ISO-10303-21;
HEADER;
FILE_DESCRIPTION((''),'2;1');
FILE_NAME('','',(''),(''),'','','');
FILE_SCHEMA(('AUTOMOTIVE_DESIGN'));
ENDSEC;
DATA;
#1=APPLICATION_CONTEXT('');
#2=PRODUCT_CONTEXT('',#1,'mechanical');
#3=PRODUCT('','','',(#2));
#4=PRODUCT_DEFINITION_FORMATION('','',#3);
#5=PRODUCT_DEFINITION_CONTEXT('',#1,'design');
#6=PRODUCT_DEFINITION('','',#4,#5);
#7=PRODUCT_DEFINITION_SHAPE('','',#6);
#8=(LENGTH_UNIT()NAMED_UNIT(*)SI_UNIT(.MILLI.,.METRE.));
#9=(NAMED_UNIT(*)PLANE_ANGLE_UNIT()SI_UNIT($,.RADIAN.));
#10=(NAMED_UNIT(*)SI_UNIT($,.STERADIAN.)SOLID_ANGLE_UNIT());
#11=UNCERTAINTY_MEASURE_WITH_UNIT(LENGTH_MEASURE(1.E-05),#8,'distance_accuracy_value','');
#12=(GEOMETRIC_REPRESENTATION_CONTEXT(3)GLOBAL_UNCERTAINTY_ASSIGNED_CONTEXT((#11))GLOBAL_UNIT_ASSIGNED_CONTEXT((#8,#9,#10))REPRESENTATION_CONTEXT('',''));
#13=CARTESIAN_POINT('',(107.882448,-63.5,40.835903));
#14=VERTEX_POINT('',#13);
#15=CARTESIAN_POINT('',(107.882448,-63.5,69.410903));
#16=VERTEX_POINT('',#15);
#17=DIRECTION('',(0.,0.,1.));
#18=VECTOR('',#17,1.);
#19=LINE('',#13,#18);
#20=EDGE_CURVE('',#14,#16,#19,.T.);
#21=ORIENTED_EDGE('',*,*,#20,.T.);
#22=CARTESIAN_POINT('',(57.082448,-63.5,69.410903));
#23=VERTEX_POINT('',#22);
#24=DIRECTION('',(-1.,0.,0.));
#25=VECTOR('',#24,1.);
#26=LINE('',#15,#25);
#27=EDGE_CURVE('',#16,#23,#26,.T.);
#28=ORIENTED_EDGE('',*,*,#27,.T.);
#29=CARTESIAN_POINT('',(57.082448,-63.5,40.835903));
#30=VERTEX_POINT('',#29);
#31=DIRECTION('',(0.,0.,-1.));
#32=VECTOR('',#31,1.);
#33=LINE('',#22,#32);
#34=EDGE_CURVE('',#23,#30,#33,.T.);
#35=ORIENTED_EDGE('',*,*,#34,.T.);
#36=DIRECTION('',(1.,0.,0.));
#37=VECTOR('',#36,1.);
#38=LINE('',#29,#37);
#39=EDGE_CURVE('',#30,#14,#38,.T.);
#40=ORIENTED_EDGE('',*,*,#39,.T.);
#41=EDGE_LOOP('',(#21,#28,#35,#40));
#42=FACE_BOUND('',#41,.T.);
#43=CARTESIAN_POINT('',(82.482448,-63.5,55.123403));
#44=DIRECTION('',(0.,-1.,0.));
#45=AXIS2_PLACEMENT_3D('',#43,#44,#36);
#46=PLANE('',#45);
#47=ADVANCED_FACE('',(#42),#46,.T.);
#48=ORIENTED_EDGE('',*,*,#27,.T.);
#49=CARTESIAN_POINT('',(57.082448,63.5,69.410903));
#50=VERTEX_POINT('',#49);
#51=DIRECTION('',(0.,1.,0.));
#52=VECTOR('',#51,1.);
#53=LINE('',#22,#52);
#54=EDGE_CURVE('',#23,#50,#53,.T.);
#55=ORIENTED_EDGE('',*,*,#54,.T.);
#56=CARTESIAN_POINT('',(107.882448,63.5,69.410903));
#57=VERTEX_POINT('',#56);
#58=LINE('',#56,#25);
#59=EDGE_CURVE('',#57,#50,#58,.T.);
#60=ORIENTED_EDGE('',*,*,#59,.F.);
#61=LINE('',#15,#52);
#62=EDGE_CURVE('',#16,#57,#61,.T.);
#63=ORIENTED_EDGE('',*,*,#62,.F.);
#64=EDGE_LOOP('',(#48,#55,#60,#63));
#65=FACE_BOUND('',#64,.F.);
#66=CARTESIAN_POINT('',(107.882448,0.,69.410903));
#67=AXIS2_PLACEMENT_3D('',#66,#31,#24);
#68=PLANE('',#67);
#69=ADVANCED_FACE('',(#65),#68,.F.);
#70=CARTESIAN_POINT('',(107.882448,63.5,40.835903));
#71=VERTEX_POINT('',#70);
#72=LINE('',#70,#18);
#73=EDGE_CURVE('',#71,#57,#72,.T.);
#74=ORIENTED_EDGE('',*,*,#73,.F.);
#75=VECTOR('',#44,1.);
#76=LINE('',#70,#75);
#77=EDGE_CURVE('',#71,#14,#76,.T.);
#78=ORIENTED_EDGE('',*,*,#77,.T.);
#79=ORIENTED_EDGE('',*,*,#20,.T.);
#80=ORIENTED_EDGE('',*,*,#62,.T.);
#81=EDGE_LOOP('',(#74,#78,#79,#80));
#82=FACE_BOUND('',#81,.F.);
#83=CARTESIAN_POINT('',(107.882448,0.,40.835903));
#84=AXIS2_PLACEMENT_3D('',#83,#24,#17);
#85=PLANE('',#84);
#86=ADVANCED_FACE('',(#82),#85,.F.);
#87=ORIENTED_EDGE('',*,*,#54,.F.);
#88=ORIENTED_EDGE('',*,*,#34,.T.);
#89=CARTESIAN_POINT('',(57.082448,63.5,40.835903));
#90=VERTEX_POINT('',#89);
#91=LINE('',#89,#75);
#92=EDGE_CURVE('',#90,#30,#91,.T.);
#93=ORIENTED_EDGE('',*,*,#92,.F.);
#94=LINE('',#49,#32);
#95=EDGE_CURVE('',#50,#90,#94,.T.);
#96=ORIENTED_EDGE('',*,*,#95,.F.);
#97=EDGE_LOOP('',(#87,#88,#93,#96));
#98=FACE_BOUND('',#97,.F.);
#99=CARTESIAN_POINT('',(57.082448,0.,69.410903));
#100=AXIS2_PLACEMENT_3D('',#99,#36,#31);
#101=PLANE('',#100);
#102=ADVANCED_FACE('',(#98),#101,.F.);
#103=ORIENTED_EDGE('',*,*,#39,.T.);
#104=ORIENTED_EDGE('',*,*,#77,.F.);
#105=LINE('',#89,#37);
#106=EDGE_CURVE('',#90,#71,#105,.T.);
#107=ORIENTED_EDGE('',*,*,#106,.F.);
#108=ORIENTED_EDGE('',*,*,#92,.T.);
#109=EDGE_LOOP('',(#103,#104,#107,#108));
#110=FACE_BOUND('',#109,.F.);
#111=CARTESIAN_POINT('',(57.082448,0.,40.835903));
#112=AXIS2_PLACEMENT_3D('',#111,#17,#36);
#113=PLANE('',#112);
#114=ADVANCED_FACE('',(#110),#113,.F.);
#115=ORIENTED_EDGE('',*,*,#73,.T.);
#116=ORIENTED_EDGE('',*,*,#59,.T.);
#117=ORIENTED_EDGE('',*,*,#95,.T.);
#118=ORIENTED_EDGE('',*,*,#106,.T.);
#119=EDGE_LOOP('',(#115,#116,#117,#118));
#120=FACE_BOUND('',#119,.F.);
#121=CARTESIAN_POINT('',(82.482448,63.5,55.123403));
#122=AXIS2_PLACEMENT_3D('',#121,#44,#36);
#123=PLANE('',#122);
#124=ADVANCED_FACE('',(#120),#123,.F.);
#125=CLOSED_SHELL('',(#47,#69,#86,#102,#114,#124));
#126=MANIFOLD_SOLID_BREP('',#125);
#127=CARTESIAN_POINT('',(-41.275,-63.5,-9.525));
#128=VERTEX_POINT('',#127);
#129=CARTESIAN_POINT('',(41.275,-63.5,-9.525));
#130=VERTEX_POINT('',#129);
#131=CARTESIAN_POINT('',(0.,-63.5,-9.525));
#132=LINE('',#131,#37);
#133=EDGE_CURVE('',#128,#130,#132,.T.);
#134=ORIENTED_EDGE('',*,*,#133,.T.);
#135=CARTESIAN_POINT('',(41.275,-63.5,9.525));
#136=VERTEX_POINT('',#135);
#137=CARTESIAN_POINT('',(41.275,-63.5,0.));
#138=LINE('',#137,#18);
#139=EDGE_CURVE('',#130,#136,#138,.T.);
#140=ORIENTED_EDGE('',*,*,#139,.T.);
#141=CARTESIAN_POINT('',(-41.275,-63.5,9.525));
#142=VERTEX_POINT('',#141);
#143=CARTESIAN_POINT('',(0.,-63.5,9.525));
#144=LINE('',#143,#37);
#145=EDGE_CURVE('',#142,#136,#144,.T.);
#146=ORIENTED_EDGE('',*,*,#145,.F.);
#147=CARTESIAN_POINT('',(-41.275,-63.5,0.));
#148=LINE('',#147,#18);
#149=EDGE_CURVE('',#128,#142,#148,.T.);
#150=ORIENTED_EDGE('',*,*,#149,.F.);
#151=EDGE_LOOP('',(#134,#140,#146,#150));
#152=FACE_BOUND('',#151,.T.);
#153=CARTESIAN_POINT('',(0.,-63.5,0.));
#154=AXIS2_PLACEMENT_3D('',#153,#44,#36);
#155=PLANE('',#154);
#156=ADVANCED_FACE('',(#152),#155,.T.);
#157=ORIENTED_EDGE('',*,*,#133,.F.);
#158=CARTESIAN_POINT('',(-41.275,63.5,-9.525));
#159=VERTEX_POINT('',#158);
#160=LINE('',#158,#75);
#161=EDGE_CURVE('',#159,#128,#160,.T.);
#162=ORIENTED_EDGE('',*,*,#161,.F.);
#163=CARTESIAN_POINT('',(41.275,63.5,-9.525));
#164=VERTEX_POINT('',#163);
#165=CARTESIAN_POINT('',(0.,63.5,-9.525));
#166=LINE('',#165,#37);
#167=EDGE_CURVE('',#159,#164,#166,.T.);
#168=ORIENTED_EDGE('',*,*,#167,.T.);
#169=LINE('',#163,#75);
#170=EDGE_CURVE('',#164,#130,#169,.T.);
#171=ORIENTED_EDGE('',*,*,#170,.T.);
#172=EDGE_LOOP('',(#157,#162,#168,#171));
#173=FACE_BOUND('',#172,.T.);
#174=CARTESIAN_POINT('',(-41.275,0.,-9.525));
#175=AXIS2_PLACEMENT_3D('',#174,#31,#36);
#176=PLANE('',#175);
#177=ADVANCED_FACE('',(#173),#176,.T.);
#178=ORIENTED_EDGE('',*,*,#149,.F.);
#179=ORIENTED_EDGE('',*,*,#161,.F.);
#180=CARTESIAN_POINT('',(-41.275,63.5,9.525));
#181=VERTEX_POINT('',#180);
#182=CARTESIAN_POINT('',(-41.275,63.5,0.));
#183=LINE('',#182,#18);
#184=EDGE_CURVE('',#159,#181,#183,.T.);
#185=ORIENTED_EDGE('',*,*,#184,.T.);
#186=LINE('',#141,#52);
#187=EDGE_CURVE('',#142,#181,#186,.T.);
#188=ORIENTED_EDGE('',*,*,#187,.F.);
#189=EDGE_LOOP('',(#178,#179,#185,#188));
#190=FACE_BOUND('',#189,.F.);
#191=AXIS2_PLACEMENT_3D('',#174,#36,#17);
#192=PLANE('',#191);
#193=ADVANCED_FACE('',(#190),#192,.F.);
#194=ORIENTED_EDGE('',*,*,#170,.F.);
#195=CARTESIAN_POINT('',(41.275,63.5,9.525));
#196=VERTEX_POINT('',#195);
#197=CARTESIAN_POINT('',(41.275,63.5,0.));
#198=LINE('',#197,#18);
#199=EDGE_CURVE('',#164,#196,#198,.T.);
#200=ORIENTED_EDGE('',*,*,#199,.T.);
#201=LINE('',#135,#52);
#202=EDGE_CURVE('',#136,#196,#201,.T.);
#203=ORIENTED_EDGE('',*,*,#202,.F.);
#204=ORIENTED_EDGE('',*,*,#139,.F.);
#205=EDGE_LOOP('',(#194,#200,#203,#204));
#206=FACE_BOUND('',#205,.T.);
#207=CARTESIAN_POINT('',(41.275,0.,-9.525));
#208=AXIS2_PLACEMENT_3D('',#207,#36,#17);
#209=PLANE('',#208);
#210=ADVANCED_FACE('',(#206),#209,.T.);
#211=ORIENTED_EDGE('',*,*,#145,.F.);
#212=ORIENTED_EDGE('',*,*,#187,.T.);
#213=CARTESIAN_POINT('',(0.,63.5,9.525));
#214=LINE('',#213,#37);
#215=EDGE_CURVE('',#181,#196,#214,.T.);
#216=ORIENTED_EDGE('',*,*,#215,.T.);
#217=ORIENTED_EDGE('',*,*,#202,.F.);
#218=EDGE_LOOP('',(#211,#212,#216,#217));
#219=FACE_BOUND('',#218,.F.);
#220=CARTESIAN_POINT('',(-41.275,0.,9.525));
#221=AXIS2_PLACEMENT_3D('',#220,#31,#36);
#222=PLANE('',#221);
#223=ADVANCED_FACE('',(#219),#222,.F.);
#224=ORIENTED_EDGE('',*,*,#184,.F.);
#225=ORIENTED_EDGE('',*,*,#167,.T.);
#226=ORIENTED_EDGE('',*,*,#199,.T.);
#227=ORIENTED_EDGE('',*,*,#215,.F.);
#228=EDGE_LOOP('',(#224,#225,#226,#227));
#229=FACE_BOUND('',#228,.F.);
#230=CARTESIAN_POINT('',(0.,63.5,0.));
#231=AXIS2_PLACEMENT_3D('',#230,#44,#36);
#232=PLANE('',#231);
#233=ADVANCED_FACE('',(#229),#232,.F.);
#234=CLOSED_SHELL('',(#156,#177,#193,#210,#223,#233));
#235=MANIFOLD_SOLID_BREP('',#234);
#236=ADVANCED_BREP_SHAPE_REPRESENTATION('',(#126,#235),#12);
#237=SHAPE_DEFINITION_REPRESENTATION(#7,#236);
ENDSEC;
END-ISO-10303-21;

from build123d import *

# Parameters (mm, degrees)
F0_W     = 82.55
F0_H     = 19.05
F1_DEPTH = 63.5


with BuildPart() as f1:
    # F0 (on Front) → F1 (new body, symmetric)
    with BuildSketch(Plane.XZ):
        Polygon((57.082448, 69.410903), (57.082448, 62.846842), (57.082448, 40.835903), (107.882448, 40.835903), (107.882448, 69.410903), align=None)
        Rectangle(F0_W, F0_H)
    extrude(amount=F1_DEPTH, both=True)


solid = f1.part
